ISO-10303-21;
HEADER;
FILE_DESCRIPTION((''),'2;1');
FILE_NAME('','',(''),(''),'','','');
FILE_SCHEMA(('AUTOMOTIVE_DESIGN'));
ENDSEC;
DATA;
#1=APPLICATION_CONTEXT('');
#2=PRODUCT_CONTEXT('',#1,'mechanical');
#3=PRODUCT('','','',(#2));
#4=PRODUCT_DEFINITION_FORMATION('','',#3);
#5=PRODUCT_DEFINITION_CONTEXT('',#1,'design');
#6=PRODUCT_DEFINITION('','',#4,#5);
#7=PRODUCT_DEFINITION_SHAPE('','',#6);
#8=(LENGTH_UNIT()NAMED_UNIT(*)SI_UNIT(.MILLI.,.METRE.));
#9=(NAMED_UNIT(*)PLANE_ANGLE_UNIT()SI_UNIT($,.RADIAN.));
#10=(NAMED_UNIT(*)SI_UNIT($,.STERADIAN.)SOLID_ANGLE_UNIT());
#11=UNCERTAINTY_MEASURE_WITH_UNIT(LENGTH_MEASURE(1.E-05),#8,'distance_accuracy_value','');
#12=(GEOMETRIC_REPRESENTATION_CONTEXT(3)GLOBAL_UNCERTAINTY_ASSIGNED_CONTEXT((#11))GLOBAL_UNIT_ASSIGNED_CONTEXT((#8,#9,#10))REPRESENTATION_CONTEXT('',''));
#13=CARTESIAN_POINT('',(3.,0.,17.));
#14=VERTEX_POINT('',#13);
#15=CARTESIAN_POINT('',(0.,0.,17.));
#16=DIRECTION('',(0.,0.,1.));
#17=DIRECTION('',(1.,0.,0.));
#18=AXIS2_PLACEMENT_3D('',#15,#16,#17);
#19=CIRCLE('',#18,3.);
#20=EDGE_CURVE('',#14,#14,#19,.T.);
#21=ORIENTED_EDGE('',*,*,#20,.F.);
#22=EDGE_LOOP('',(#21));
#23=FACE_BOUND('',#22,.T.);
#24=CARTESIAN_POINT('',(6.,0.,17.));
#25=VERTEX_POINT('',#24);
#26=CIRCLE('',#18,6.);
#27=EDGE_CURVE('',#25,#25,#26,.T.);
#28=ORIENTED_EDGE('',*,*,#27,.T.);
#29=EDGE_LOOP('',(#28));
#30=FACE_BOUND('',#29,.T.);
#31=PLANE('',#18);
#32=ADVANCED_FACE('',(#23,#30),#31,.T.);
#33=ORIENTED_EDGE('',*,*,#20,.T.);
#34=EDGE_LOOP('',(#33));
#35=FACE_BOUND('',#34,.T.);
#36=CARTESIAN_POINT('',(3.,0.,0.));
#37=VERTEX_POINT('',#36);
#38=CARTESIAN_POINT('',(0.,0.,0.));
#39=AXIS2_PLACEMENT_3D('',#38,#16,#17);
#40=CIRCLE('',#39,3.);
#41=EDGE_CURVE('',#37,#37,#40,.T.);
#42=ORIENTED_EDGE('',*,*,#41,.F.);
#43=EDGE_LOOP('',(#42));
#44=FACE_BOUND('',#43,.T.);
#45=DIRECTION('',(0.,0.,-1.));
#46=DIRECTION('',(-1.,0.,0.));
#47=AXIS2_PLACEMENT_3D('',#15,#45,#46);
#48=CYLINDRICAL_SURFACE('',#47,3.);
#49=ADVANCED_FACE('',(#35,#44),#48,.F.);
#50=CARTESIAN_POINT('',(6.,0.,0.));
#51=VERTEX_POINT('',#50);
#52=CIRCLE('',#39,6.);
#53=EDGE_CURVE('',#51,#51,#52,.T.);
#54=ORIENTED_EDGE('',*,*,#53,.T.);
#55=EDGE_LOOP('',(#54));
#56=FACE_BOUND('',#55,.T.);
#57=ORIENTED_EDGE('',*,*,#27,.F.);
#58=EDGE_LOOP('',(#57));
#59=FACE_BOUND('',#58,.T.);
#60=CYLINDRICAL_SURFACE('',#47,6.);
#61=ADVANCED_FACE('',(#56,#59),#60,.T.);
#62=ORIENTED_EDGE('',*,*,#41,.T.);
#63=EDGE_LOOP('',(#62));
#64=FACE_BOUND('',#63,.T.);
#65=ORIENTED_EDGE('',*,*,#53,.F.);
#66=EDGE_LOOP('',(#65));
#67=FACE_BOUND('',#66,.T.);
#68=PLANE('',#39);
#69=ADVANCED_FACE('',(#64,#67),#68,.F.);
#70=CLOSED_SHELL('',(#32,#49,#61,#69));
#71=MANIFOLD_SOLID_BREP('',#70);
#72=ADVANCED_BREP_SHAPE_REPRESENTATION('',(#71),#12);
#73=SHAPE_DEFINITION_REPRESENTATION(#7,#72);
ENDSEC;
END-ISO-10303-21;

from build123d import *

# Parameters (mm, degrees)
SKETCH_1_R      = 6
SKETCH_1_R_2    = 3
EXTRUDE_1_DEPTH = 17


with BuildPart() as part:
    # 스케치1 → 보스-돌출1 (new body)
    with BuildSketch(Plane.XY):
        Circle(SKETCH_1_R)
        Circle(SKETCH_1_R_2, mode=Mode.SUBTRACT)
    extrude(amount=EXTRUDE_1_DEPTH)


solid = part.part
